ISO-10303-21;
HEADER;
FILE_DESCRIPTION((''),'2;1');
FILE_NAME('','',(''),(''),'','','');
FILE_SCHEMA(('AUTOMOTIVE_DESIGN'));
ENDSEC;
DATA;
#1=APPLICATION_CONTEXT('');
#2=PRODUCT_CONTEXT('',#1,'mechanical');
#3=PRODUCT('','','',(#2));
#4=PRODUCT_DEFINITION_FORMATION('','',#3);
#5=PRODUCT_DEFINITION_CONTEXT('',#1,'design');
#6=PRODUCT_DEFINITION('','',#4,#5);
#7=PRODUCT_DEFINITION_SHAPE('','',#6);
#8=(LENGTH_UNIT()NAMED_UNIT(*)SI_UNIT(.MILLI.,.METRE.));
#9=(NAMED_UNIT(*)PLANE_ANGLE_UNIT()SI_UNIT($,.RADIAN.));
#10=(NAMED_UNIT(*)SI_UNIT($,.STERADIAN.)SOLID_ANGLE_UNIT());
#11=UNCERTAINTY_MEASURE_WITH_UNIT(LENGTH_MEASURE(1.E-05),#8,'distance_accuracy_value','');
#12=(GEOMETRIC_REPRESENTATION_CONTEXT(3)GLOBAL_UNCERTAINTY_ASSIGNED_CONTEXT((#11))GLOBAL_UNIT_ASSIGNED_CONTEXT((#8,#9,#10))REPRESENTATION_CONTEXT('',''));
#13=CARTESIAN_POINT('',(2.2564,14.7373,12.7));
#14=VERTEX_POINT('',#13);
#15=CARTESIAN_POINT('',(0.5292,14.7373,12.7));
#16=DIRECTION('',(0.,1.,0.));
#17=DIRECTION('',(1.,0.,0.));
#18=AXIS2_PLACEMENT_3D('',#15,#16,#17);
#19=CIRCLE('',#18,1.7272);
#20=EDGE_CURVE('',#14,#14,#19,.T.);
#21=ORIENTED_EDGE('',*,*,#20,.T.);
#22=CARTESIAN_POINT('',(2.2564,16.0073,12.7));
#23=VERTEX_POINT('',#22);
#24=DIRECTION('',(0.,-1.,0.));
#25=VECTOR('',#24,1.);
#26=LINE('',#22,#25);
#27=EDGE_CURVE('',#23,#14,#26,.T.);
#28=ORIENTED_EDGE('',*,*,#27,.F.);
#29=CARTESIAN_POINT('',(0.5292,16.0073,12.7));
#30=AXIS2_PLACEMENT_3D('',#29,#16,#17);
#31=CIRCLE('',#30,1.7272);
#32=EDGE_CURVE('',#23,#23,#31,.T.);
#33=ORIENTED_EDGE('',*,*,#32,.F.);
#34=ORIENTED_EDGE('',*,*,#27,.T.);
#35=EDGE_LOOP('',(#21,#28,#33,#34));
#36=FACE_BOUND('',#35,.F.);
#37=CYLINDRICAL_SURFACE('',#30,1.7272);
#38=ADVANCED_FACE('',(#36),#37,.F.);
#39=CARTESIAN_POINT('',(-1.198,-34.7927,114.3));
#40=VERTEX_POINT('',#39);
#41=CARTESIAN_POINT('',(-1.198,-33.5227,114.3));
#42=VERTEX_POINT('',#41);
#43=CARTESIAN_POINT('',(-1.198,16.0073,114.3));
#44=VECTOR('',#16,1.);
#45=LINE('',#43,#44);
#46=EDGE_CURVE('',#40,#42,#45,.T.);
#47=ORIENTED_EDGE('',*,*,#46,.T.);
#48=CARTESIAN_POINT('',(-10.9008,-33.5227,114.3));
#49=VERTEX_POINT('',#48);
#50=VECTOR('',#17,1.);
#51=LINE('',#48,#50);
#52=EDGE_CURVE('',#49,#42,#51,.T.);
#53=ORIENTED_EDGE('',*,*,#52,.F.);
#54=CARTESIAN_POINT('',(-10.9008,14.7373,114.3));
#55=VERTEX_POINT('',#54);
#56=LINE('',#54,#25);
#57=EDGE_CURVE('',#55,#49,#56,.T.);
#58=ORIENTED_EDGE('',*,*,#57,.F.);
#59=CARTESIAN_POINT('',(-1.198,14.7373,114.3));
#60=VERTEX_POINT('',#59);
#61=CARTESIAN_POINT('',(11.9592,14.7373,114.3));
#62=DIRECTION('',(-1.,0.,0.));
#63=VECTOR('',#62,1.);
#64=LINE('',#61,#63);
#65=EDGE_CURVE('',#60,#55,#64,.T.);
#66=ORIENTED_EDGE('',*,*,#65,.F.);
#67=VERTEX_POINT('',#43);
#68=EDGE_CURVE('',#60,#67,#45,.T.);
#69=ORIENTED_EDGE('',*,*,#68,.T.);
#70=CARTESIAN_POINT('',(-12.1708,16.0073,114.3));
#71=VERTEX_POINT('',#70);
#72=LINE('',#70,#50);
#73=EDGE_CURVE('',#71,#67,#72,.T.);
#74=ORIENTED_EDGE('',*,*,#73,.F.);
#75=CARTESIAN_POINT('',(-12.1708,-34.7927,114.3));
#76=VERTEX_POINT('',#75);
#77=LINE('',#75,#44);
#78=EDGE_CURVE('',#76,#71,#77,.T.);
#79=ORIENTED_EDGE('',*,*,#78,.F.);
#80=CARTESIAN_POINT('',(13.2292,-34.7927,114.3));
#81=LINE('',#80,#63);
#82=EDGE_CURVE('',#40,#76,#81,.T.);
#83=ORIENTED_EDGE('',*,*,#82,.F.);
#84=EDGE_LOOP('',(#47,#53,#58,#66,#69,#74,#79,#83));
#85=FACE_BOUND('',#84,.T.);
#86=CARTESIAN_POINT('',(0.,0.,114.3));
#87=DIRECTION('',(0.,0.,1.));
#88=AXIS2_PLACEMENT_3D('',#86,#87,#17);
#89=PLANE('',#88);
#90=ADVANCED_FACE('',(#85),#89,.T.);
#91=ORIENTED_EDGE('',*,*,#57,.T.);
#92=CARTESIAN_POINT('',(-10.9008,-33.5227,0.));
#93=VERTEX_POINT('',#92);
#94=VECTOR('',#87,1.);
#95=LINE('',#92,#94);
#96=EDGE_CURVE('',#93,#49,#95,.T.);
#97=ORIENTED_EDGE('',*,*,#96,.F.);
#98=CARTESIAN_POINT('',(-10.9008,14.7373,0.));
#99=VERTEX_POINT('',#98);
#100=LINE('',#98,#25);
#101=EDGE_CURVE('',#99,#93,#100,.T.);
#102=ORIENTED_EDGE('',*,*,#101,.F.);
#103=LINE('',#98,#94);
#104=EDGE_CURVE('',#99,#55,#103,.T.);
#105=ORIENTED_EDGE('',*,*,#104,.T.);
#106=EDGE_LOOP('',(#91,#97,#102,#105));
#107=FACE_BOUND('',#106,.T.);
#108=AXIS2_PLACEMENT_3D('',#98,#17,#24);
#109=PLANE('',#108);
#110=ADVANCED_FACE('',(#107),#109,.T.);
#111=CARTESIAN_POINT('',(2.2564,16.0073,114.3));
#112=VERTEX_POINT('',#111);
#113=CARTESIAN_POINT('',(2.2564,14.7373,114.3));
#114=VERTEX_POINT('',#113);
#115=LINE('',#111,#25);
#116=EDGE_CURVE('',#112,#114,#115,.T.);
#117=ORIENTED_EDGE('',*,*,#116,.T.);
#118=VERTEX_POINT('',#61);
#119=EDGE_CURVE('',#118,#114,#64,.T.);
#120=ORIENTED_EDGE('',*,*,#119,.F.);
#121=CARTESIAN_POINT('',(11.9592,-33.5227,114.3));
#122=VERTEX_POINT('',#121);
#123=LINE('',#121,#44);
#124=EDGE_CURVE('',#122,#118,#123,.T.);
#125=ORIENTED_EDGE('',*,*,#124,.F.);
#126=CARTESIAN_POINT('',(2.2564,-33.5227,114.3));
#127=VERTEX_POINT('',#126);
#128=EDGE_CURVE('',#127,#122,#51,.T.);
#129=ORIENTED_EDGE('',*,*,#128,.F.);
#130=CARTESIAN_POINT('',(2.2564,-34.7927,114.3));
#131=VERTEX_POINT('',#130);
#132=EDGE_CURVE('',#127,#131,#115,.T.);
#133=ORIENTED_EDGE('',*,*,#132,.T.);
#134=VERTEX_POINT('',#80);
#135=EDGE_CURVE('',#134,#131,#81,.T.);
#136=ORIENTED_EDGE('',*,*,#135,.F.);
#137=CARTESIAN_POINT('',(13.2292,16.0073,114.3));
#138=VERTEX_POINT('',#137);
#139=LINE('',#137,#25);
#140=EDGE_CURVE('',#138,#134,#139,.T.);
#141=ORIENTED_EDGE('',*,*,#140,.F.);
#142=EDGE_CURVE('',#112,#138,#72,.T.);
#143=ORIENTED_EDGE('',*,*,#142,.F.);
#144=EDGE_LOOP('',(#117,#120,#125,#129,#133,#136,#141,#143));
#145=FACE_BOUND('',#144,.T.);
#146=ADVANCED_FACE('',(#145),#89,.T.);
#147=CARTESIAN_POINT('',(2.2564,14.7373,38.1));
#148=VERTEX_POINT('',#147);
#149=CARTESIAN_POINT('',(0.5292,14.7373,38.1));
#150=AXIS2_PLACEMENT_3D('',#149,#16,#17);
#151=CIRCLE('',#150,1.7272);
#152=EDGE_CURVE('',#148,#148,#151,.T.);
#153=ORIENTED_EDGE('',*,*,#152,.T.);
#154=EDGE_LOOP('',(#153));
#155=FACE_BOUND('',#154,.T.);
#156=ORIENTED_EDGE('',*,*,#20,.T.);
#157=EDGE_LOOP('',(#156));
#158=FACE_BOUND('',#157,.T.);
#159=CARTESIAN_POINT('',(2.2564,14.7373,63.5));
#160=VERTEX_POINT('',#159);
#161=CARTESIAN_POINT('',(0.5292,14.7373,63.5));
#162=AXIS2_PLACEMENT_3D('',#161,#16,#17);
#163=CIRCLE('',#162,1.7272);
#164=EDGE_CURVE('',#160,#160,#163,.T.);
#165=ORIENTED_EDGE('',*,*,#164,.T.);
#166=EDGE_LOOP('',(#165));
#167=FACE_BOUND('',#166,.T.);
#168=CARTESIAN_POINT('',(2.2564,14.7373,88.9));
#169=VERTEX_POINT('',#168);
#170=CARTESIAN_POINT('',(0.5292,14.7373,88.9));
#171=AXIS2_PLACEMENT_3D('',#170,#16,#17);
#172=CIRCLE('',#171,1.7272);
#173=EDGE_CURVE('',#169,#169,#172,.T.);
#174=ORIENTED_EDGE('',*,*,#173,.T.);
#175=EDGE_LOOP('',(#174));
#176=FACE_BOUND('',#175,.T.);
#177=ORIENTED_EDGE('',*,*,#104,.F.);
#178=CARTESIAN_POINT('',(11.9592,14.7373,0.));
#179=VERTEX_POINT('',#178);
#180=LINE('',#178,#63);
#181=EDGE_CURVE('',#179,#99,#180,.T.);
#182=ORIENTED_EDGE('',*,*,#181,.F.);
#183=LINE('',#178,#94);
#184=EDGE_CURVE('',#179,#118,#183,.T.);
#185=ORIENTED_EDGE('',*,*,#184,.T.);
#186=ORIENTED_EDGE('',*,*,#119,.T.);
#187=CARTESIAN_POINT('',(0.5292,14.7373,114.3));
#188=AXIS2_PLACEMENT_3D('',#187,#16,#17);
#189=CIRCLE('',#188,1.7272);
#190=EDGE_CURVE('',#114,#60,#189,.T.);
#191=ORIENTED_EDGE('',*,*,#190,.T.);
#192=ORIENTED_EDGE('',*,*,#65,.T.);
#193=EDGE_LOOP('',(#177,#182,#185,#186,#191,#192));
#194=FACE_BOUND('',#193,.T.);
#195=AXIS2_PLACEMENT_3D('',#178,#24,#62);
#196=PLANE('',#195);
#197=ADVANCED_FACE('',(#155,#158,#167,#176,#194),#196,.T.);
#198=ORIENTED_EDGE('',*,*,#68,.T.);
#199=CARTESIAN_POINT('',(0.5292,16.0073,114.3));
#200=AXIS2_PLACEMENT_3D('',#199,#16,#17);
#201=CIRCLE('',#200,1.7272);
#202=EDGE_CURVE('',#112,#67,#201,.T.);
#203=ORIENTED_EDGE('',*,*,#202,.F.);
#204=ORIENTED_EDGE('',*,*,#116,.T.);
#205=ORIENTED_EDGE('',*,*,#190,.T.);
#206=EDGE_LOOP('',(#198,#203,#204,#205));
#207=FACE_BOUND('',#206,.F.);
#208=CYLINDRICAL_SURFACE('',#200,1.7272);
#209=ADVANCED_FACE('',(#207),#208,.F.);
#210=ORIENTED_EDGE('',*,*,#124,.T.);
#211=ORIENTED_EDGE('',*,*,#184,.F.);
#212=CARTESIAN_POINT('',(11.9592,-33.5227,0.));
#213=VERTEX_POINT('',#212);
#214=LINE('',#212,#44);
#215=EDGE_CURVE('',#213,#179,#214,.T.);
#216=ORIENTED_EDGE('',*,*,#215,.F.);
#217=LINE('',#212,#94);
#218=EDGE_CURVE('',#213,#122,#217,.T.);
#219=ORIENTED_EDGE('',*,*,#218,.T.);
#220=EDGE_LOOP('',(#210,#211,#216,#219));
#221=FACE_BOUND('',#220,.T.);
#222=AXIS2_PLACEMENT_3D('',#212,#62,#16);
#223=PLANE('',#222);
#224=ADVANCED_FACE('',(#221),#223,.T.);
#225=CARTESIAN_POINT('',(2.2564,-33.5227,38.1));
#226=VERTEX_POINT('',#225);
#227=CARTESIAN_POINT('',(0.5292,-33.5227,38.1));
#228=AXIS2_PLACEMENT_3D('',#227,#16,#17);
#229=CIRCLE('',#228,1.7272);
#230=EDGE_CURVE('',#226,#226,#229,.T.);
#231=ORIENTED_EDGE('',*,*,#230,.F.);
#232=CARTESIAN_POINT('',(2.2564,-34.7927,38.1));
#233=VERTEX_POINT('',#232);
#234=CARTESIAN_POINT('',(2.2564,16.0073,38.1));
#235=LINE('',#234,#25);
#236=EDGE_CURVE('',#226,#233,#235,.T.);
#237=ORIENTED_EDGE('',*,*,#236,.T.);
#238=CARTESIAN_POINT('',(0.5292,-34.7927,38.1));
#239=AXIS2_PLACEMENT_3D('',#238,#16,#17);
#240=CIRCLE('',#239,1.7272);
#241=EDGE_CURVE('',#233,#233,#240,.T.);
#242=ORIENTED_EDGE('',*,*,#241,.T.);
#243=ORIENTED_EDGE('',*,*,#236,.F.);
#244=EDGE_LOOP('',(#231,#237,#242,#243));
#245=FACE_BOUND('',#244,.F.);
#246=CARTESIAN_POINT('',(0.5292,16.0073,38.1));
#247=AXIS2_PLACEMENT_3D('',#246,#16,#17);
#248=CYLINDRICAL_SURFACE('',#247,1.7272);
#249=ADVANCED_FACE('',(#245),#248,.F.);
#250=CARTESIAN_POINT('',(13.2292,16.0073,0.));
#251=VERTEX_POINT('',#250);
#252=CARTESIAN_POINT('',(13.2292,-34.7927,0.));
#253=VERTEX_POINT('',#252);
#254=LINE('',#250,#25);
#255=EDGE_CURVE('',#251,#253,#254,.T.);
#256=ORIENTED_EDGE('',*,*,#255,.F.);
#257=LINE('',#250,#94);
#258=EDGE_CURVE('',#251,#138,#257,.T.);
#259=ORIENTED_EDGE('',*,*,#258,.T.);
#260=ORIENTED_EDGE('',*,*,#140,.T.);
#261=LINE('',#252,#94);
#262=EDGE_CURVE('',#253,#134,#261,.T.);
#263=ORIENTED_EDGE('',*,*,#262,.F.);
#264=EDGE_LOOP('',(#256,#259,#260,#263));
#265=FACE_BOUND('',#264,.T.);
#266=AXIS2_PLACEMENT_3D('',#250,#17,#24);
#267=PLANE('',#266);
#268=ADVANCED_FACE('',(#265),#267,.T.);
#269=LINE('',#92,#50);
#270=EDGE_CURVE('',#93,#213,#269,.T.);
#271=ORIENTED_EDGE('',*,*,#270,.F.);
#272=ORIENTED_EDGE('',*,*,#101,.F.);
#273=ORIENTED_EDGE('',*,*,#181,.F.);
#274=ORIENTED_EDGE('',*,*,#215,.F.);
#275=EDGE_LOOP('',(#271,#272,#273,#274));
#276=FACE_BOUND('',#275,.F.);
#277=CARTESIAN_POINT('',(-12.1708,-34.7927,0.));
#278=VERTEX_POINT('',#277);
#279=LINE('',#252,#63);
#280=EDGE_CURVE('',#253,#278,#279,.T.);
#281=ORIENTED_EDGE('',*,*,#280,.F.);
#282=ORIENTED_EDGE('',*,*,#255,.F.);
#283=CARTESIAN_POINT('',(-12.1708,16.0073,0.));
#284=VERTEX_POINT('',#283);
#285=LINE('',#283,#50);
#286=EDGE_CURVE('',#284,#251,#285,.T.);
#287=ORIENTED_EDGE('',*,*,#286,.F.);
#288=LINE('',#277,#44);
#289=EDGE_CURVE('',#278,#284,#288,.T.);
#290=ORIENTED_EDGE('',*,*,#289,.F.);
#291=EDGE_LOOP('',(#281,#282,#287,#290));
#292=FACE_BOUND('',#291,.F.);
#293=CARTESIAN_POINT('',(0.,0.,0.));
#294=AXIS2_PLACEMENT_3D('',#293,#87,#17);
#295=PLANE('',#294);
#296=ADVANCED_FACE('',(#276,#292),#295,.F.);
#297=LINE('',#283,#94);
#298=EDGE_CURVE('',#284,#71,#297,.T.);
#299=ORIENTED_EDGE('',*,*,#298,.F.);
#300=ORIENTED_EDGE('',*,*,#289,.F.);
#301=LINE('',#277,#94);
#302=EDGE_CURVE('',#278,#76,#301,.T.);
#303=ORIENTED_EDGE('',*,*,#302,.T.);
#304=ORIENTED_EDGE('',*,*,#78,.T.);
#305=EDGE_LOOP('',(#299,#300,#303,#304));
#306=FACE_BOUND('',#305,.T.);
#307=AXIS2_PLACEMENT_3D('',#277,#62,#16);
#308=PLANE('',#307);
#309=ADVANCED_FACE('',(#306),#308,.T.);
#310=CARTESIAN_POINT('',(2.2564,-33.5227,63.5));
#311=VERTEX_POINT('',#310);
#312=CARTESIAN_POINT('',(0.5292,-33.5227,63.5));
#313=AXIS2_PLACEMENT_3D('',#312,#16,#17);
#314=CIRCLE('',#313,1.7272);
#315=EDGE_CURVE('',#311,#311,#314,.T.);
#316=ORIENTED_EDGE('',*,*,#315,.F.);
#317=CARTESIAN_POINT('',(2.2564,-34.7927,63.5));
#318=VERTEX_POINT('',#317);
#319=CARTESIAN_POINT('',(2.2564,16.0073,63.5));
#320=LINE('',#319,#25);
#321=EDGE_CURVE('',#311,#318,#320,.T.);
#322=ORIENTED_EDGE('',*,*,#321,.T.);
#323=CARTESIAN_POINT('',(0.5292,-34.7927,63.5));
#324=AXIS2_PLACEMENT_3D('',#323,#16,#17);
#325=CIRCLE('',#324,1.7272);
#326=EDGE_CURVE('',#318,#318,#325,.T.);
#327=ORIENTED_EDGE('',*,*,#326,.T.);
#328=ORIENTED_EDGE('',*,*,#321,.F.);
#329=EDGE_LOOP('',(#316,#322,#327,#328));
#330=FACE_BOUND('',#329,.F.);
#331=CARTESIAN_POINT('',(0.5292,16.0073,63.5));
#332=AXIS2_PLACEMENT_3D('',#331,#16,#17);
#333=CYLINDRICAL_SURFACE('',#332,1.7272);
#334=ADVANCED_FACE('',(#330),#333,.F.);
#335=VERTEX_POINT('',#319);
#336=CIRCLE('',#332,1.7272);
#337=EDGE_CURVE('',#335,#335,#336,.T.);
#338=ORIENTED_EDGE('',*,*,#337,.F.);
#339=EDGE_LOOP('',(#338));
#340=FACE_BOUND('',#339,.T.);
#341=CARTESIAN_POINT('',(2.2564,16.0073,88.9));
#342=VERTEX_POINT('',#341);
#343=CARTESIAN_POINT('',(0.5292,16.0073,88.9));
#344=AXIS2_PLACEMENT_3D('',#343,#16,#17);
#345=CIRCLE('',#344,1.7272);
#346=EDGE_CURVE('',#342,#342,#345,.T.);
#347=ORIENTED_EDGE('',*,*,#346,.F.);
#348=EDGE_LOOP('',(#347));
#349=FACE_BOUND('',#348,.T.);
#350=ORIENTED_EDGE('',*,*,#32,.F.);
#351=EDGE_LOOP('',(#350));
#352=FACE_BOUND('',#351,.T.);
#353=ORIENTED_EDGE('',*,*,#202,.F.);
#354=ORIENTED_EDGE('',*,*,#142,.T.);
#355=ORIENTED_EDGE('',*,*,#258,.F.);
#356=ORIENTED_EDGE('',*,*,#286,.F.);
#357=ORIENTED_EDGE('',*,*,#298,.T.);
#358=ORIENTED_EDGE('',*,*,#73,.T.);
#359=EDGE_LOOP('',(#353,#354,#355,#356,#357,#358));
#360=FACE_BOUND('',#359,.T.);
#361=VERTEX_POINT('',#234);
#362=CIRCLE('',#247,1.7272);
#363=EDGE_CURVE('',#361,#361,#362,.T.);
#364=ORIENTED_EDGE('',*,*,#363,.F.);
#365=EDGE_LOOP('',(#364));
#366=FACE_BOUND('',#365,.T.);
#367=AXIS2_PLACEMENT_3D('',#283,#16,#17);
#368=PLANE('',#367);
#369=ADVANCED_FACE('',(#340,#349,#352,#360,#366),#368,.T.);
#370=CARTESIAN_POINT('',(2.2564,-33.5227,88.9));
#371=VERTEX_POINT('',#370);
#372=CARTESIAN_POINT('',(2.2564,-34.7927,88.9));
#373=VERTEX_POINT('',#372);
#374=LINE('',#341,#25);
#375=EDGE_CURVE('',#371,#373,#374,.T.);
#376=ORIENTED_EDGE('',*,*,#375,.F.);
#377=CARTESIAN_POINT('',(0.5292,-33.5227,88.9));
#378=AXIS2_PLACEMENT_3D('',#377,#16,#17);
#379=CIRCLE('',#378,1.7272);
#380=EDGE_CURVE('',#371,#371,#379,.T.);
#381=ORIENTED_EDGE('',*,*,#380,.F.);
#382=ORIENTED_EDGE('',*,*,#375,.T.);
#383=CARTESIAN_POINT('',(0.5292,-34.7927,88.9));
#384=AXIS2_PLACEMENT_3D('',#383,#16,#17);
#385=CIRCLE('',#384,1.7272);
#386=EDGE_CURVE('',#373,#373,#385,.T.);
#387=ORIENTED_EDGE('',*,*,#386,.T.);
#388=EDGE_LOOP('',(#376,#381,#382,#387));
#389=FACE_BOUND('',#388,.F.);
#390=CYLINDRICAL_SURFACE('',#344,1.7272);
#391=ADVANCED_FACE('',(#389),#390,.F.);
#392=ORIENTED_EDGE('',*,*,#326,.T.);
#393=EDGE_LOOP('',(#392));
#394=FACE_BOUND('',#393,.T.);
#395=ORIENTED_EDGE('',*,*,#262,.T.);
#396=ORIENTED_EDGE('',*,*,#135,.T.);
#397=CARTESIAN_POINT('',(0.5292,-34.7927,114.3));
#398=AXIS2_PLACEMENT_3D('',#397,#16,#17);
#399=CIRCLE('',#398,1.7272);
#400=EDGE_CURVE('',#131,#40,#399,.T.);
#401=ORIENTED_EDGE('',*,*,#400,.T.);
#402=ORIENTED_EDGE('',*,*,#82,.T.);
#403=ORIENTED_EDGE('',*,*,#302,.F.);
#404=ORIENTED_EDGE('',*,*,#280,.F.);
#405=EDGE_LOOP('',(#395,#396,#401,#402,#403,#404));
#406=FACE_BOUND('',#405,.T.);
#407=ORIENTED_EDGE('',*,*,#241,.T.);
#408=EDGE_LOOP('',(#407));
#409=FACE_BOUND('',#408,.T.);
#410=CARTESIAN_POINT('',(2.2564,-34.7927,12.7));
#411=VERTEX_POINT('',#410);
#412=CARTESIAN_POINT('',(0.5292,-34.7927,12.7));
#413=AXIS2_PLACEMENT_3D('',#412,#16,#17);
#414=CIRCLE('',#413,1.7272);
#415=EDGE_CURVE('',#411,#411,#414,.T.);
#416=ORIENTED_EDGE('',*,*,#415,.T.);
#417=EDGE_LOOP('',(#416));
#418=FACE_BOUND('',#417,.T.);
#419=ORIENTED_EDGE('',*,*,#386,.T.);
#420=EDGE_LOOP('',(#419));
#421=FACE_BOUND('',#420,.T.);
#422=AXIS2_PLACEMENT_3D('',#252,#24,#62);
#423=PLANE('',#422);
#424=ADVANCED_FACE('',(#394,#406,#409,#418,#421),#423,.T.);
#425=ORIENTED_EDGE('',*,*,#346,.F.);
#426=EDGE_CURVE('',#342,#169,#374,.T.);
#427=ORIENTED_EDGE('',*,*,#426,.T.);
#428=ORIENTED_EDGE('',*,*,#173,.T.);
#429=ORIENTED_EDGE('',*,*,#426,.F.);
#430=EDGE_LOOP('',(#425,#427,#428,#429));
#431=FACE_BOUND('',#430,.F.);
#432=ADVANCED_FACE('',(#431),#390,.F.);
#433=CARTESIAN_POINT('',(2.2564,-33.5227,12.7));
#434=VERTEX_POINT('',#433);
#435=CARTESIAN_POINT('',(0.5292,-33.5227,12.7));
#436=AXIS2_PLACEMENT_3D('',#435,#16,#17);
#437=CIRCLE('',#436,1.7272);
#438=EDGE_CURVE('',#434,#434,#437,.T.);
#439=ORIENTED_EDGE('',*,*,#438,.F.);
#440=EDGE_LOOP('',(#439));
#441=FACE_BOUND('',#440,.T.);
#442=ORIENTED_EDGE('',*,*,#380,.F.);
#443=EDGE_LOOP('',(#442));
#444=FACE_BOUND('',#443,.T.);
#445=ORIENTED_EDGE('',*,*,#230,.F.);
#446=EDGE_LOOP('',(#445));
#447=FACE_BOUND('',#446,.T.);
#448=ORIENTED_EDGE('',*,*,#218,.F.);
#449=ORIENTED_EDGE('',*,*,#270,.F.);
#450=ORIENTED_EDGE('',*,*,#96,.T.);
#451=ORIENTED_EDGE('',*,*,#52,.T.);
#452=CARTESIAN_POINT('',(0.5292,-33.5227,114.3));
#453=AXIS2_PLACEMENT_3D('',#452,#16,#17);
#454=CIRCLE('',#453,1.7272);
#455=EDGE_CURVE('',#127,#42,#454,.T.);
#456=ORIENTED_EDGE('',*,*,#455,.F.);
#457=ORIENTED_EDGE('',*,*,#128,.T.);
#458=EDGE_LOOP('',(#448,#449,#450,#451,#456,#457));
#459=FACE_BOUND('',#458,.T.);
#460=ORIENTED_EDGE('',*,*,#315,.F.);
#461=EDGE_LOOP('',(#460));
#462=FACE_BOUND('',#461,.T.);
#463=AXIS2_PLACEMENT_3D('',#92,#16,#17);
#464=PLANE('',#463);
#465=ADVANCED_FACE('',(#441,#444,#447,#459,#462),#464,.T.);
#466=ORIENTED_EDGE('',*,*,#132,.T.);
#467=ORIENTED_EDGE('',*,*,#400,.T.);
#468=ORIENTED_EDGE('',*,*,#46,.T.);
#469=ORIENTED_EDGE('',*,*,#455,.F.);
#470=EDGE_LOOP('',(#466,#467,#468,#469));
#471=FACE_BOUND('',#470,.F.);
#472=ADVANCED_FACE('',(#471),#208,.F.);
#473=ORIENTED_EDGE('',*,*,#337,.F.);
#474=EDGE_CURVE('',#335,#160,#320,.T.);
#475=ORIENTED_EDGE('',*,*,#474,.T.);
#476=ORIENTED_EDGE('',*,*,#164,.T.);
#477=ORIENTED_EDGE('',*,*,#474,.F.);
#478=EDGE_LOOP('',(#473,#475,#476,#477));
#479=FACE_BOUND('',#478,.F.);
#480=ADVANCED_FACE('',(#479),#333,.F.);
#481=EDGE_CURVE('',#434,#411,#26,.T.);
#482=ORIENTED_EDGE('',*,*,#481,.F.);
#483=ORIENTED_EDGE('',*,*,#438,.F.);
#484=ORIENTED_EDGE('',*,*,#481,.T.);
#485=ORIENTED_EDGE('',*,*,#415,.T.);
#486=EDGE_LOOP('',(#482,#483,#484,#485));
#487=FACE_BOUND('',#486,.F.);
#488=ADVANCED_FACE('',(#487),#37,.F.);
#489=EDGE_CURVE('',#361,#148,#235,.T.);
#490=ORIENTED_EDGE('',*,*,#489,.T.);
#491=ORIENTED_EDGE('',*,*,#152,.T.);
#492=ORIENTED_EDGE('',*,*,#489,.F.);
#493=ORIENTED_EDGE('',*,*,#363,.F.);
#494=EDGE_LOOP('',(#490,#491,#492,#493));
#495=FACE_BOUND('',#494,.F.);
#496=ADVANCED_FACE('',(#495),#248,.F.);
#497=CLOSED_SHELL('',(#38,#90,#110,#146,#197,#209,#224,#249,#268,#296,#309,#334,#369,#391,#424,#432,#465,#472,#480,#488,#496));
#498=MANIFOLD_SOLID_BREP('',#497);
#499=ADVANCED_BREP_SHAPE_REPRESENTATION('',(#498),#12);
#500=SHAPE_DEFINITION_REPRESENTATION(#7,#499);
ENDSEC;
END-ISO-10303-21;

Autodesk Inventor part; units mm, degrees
ref_plane "YZ Plane" through (0, 0, 0) normal (1, 0, 0) x (0, 1, 0)
ref_plane "XZ Plane" through (0, 0, 0) normal (0, 1, 0) x (-1, 0, 0)
ref_plane "XY Plane" through (0, 0, 0) normal (0, 0, 1) x (1, 0, 0)
sketch "Sketch1" plane through (0, 0, 0) normal (0, 0, 1) x (1, 0, 0)
  line L0 (-12.1708, 16.0073) -> (13.2292, 16.0073)
  line L1 (13.2292, 16.0073) -> (13.2292, -34.7927)
  line L2 (13.2292, -34.7927) -> (-12.1708, -34.7927)
  line L3 (-12.1708, -34.7927) -> (-12.1708, 16.0073)
  line L4 (11.9592, 14.7373) -> (-10.9008, 14.7373)
  line L5 (-10.9008, 14.7373) -> (-10.9008, -33.5227)
  line L6 (-10.9008, -33.5227) -> (11.9592, -33.5227)
  line L7 (11.9592, -33.5227) -> (11.9592, 14.7373)
  point P0 (0, 0)
  dimension "d0" = 25.4
  dimension "d1" = 50.8
  dimension "d2" = 1.27
extrude "Extrusion1" add sketch "Sketch1" along normal blind 114.3
sketch "Sketch2" plane through (-12.1708, 16.0073, 0) normal (0, 1, 0) x (1, 0, 0)
  circle A0 centre (12.7, -12.7) radius 1.7272
  line L0 (25.4, 0) -> (0, 0) projected
  line L1 (0, 0) -> (0, -114.3) projected
  point P0 (12.1708, 0)
  dimension "d5" = 3.4544
  dimension "d6" = 12.7
  dimension "d7" = 12.7
extrude "Extrusion2" cut sketch "Sketch2" against normal through all
pattern_linear "Rectangular Pattern1" count 11 spacing 25.4 along (0, 0, 1) of "Extrusion2"
equation "\"d3\" = d13"
equation "\"d10\" = d14"
equation "\"d13\" = 114.3"
equation "\"d14\" = d13"
properties part number "VersaFrame (Gripper-MovingLong)"
